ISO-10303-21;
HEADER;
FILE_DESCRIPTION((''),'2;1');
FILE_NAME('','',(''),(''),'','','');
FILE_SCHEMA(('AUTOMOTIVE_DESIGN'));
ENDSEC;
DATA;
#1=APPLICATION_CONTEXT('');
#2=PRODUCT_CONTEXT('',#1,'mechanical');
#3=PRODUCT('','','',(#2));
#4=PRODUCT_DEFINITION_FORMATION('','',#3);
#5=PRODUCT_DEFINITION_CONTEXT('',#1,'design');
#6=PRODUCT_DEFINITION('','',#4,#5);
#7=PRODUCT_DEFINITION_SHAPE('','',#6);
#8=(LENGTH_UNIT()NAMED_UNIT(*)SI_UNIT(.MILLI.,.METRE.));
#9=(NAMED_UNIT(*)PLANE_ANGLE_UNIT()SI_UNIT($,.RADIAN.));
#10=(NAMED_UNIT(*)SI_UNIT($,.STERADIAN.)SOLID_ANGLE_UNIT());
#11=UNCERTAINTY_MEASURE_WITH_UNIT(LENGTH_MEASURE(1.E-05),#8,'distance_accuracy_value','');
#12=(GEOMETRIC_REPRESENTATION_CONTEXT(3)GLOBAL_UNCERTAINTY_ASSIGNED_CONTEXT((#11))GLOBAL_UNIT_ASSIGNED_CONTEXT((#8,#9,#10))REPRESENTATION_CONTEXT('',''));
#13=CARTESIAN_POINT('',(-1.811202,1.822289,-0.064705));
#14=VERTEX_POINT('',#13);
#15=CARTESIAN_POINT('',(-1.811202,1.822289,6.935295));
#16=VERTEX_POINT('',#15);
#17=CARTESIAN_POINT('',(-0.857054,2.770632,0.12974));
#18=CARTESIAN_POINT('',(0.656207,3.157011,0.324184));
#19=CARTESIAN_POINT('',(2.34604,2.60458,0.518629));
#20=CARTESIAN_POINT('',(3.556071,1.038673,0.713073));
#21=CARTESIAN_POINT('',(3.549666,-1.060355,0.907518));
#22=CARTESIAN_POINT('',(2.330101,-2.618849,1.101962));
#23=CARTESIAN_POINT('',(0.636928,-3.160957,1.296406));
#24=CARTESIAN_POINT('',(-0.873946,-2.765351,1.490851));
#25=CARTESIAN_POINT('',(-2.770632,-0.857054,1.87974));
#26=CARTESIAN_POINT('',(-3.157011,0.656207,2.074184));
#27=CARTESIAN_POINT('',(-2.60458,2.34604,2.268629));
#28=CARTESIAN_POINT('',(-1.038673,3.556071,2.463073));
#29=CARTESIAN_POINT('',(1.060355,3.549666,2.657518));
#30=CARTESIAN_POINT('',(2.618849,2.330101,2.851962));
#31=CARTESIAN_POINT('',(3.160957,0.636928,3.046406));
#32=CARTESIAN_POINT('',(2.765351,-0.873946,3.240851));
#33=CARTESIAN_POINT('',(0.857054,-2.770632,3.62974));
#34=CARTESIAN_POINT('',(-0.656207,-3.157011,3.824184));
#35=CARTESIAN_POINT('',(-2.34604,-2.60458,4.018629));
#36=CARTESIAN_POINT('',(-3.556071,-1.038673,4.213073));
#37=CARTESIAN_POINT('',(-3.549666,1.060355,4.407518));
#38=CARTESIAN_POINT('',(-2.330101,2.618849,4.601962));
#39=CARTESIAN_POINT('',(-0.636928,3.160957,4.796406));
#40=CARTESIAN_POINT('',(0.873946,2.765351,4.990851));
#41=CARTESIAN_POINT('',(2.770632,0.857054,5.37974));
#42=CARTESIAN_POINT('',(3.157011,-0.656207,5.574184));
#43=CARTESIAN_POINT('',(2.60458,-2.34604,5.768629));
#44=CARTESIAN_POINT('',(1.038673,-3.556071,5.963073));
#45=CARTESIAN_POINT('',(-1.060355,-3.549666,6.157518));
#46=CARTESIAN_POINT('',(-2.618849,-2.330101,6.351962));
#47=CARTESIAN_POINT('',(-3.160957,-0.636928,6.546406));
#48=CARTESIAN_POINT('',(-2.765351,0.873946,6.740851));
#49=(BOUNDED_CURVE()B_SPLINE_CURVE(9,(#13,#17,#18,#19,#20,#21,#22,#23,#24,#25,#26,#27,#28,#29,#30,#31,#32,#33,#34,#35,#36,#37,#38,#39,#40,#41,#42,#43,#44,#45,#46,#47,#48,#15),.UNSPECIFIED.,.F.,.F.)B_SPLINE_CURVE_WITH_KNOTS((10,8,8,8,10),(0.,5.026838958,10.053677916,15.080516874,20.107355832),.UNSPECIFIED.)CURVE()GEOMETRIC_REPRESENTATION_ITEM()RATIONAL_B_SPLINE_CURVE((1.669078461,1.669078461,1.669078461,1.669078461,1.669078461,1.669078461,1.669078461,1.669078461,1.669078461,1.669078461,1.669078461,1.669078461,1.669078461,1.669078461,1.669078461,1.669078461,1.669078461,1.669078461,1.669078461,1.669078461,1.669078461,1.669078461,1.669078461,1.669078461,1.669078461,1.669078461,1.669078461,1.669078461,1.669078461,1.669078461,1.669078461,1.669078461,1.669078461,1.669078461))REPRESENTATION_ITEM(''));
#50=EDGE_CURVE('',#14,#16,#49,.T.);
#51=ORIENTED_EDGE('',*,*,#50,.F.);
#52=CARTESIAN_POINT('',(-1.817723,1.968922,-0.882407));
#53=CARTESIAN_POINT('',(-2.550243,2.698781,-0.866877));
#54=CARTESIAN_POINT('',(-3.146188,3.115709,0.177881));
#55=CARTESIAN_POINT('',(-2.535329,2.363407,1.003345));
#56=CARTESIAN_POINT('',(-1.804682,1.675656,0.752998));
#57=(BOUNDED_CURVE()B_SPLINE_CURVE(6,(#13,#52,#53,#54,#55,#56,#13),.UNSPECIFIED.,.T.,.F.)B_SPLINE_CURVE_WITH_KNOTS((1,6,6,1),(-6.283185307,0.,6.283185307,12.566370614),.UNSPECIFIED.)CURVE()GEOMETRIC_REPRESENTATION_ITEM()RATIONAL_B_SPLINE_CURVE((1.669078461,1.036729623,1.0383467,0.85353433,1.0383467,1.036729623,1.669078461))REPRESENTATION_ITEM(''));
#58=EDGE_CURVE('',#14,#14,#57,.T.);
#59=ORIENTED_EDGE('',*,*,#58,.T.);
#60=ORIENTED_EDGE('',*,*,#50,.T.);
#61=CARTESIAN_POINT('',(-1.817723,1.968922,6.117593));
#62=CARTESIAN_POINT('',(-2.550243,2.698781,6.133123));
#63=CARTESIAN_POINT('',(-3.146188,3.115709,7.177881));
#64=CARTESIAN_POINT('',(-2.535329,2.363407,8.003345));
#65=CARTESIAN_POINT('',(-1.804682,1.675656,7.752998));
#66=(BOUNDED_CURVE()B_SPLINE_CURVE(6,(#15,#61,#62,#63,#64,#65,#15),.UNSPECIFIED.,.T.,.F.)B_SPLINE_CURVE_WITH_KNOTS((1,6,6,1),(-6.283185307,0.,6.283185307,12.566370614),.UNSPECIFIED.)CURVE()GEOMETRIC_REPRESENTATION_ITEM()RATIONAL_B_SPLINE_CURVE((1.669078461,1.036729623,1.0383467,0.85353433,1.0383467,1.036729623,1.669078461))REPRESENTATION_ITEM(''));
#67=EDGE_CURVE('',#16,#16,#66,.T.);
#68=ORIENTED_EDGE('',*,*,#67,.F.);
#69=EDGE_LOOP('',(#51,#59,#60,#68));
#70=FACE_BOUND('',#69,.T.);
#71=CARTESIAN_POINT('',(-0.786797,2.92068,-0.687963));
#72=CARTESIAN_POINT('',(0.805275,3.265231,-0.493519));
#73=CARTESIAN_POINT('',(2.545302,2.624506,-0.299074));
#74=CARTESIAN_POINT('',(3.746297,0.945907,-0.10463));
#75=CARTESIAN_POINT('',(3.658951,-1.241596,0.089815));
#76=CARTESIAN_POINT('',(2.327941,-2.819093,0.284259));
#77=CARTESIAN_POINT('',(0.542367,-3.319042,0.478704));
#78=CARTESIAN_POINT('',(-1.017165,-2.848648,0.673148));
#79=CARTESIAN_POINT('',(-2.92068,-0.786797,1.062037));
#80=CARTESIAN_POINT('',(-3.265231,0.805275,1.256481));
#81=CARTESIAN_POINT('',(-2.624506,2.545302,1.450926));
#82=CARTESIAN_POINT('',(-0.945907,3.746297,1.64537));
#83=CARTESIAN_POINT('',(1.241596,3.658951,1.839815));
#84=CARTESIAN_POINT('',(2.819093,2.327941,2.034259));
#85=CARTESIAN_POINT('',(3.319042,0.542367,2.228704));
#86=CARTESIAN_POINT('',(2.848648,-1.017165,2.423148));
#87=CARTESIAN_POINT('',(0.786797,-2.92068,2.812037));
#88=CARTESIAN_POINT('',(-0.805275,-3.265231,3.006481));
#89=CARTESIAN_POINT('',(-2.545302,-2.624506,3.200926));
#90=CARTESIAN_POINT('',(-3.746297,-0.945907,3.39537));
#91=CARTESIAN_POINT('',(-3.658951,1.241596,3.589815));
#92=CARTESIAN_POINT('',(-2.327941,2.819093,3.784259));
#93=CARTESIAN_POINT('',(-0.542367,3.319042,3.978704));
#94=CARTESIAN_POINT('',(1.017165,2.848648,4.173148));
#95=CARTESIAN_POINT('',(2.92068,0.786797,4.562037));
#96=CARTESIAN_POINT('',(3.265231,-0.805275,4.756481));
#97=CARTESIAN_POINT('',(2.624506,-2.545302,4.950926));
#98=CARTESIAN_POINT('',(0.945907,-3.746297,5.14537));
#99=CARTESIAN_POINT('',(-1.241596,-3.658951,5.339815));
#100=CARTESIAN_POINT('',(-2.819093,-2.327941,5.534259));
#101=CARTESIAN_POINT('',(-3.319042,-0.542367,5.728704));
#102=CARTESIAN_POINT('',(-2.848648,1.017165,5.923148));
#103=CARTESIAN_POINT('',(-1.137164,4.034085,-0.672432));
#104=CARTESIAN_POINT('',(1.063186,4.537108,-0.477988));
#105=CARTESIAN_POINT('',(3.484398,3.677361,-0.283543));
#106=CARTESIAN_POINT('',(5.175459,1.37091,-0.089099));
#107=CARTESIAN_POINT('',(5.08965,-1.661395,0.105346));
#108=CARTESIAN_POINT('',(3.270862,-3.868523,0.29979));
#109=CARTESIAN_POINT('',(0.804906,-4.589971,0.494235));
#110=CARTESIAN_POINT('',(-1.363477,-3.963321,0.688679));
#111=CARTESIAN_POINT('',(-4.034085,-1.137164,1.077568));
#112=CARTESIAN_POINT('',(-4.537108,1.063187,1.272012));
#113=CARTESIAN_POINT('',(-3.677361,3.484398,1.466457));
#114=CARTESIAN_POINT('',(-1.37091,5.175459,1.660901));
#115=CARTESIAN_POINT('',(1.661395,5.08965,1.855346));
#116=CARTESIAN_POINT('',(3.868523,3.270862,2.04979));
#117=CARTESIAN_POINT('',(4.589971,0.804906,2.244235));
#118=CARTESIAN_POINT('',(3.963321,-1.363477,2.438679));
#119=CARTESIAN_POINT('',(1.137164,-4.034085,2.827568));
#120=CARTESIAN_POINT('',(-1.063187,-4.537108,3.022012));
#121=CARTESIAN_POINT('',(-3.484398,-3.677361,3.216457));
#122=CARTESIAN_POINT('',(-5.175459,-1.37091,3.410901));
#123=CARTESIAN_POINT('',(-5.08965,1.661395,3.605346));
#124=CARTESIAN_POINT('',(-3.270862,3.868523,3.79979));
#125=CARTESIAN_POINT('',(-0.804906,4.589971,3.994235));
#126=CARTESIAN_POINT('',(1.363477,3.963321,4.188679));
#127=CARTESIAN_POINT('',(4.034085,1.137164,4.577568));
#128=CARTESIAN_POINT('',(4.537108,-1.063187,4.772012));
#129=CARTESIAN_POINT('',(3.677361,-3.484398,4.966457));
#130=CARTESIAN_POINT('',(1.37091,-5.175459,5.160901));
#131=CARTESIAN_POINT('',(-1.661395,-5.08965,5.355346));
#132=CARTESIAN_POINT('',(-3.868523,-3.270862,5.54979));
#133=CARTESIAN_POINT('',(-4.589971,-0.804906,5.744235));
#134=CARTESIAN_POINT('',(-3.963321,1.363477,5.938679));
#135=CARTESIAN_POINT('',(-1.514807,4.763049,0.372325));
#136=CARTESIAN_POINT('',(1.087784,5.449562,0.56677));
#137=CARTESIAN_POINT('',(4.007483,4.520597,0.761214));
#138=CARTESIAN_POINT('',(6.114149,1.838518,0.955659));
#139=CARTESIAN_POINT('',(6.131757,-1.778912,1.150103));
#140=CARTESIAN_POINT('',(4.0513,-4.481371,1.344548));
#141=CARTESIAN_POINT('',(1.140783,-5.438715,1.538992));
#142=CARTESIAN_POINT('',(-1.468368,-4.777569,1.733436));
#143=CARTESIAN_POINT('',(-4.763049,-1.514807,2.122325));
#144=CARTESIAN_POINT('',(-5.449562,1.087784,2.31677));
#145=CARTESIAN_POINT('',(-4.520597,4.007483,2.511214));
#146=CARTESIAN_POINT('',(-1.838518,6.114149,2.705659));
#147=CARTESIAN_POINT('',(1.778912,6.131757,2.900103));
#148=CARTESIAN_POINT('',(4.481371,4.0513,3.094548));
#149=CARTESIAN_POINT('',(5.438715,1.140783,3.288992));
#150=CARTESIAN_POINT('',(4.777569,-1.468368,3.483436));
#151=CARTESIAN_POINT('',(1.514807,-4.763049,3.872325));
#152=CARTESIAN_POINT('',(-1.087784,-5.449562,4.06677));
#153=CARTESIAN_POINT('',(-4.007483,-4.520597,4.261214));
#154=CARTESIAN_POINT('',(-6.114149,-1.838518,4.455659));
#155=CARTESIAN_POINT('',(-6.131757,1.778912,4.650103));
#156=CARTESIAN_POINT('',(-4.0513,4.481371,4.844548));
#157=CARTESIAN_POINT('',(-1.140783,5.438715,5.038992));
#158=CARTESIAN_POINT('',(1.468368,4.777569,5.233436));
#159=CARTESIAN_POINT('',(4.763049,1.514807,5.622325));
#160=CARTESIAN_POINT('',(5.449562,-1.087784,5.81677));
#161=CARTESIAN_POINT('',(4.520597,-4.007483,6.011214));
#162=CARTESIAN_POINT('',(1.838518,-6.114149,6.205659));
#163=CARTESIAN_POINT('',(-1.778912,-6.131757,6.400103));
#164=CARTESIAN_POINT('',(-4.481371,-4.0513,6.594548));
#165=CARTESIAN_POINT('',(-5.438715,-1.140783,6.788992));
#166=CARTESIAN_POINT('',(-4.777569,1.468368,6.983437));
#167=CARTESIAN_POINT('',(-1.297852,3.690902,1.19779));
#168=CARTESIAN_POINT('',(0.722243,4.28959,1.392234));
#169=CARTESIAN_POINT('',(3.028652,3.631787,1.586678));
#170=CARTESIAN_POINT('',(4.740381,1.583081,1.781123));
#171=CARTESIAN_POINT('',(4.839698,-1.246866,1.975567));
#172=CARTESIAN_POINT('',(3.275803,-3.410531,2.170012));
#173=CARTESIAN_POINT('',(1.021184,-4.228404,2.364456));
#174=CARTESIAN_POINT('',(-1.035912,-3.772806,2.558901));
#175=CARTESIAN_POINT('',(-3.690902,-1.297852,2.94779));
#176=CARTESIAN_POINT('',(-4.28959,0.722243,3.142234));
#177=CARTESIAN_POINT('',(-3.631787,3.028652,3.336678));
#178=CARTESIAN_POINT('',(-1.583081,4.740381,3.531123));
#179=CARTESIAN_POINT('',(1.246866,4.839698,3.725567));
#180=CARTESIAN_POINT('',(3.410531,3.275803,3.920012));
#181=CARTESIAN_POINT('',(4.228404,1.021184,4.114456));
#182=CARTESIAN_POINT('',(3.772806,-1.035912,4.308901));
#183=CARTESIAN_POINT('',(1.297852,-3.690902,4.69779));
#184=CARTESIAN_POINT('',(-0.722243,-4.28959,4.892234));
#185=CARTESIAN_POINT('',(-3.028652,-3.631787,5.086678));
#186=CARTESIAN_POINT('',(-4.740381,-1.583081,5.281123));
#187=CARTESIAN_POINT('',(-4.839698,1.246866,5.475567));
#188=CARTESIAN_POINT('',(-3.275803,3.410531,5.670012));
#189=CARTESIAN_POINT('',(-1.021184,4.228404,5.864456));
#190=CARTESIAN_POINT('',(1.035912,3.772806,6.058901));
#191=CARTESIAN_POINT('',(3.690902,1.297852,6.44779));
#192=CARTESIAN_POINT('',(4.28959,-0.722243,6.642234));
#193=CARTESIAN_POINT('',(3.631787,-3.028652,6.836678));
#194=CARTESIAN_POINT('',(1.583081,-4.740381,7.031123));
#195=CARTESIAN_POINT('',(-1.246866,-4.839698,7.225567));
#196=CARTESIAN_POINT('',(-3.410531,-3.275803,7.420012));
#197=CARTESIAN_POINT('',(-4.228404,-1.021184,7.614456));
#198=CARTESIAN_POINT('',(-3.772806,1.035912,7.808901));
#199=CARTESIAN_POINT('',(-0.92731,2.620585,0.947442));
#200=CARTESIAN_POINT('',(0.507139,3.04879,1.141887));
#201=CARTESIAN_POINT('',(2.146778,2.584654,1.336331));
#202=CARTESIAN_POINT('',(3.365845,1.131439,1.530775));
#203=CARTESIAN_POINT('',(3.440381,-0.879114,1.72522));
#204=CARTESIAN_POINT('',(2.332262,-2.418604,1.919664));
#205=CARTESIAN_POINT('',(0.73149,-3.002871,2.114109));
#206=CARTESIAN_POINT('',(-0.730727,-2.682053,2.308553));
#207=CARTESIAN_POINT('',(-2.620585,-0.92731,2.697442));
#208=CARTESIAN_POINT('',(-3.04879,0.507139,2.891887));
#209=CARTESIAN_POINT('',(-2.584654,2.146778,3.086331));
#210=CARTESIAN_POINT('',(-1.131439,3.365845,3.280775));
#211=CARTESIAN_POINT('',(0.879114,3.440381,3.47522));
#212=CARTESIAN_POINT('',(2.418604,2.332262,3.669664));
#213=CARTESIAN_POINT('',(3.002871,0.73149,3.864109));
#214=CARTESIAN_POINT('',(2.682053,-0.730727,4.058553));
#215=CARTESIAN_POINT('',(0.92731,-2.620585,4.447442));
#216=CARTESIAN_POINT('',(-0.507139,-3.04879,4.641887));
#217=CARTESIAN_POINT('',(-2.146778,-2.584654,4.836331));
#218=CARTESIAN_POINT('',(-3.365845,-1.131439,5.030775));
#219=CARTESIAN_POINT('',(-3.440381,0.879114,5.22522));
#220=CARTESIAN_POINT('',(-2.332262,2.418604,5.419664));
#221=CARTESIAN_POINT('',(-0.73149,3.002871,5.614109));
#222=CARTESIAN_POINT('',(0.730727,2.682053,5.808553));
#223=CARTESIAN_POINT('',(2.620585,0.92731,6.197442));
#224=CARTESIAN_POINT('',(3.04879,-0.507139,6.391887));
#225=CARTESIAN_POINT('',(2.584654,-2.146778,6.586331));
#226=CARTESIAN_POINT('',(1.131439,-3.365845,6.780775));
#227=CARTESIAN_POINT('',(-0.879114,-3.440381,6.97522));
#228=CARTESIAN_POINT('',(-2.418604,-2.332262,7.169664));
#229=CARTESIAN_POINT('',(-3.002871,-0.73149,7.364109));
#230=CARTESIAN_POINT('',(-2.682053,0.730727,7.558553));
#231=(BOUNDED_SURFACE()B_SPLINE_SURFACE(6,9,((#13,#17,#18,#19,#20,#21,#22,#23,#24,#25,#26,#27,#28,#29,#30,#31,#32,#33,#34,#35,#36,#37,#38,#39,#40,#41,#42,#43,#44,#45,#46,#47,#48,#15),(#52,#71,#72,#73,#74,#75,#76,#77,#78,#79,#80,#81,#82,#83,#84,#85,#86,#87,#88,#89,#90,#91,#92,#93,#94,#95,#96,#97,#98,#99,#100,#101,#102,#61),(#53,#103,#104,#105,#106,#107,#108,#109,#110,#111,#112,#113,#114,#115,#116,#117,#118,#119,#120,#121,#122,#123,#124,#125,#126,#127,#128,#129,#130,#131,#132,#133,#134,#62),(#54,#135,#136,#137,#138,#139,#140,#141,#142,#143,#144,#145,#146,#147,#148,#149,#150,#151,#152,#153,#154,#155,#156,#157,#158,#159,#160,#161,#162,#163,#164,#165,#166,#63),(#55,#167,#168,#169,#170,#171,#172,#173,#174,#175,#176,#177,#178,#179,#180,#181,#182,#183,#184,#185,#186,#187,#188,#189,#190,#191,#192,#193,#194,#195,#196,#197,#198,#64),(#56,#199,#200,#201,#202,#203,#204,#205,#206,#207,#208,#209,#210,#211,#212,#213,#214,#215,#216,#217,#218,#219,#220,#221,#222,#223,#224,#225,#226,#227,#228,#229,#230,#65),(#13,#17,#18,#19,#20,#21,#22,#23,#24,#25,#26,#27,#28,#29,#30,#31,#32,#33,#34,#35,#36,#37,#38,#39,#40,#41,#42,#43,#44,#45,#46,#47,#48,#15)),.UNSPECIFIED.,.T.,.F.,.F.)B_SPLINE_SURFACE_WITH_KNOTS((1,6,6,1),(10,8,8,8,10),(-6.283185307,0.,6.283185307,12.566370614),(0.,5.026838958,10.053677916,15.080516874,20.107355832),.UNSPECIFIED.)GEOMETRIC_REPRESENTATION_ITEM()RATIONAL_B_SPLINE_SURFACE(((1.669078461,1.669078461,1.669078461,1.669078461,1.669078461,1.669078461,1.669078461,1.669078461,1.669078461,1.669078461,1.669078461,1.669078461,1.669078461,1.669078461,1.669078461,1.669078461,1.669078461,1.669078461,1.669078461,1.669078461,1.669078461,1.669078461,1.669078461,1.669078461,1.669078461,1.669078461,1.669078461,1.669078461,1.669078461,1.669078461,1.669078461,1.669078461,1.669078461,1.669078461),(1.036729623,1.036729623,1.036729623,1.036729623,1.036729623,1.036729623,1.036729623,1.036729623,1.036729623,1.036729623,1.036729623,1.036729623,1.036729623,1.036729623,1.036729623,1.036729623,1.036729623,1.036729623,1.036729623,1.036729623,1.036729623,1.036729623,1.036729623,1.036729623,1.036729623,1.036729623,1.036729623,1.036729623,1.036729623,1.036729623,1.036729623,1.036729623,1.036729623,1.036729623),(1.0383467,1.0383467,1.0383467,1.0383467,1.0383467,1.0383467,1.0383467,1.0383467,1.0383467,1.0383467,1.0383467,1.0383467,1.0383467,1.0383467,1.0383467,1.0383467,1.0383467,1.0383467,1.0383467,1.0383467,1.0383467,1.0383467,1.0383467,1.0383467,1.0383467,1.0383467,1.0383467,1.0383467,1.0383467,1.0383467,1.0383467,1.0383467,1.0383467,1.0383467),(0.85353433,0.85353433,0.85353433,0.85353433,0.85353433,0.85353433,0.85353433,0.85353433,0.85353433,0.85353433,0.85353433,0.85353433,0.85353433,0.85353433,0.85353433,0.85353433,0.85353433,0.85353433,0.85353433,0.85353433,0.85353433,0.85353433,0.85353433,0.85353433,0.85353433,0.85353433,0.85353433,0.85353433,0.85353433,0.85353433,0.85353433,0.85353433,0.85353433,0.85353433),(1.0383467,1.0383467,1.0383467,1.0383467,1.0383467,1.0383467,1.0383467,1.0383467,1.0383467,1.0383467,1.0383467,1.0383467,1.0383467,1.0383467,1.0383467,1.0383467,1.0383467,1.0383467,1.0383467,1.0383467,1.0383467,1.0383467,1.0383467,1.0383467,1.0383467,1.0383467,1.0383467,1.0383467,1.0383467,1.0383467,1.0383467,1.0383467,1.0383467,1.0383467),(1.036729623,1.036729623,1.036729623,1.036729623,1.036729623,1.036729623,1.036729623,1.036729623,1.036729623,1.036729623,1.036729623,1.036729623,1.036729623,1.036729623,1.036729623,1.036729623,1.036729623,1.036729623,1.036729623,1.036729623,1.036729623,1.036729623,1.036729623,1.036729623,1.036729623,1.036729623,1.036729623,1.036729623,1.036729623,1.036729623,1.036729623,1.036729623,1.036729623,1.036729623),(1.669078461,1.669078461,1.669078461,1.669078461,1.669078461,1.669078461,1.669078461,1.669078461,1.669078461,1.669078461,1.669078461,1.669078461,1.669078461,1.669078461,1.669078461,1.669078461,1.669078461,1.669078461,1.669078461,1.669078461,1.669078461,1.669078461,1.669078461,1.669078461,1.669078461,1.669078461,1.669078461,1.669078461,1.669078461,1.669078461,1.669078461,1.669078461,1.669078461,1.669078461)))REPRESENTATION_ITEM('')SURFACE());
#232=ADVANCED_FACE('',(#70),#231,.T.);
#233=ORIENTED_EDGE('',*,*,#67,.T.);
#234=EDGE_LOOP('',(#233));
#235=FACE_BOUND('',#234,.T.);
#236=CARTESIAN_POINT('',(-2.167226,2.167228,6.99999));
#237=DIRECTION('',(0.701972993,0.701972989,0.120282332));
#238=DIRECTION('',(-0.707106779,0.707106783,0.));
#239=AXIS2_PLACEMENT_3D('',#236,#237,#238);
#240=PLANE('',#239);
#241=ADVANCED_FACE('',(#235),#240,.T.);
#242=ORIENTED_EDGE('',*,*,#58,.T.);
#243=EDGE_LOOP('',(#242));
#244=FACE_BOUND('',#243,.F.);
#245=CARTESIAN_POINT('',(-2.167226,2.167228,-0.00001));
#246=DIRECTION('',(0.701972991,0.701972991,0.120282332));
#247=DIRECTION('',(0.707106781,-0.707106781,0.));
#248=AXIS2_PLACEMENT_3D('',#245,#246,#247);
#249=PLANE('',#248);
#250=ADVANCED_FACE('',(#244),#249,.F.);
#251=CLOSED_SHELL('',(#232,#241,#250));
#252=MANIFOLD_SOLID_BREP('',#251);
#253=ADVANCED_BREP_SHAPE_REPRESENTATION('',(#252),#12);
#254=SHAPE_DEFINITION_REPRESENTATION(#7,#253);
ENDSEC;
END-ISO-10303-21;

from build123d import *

# Parameters (mm, degrees)
SWEEP1_PITCH       = 2.333333333
SWEEP1_HEIGHT      = 7
SWEEP1_RADIUS      = 3.065
SWEEP1_START_ANGLE = 135
SKETCH3_R          = 0.5


with BuildPart() as part:
    # Sweep1: sweep along a helix
    with BuildLine() as sweep1_path:
        add(Helix(SWEEP1_PITCH, SWEEP1_HEIGHT, SWEEP1_RADIUS, center=(0, 0, 0), direction=(0, 0, 1), lefthand=True, mode=Mode.PRIVATE).rotate(Axis((0, 0, 0), (0, 0, 1)), SWEEP1_START_ANGLE))
    # Sketch3 → Sweep1 (sweep)
    with BuildSketch(Plane(origin=(-2.167282284, 2.167282284, 0), x_dir=(0.7121603158938707, -0.6899861351617507, -0.12940949636905552), z_dir=(0.7019729911706502, 0.7019729911706566, 0.12028233176095218))):
        Circle(SKETCH3_R)
    sweep(path=sweep1_path.line, is_frenet=True)


solid = part.part
